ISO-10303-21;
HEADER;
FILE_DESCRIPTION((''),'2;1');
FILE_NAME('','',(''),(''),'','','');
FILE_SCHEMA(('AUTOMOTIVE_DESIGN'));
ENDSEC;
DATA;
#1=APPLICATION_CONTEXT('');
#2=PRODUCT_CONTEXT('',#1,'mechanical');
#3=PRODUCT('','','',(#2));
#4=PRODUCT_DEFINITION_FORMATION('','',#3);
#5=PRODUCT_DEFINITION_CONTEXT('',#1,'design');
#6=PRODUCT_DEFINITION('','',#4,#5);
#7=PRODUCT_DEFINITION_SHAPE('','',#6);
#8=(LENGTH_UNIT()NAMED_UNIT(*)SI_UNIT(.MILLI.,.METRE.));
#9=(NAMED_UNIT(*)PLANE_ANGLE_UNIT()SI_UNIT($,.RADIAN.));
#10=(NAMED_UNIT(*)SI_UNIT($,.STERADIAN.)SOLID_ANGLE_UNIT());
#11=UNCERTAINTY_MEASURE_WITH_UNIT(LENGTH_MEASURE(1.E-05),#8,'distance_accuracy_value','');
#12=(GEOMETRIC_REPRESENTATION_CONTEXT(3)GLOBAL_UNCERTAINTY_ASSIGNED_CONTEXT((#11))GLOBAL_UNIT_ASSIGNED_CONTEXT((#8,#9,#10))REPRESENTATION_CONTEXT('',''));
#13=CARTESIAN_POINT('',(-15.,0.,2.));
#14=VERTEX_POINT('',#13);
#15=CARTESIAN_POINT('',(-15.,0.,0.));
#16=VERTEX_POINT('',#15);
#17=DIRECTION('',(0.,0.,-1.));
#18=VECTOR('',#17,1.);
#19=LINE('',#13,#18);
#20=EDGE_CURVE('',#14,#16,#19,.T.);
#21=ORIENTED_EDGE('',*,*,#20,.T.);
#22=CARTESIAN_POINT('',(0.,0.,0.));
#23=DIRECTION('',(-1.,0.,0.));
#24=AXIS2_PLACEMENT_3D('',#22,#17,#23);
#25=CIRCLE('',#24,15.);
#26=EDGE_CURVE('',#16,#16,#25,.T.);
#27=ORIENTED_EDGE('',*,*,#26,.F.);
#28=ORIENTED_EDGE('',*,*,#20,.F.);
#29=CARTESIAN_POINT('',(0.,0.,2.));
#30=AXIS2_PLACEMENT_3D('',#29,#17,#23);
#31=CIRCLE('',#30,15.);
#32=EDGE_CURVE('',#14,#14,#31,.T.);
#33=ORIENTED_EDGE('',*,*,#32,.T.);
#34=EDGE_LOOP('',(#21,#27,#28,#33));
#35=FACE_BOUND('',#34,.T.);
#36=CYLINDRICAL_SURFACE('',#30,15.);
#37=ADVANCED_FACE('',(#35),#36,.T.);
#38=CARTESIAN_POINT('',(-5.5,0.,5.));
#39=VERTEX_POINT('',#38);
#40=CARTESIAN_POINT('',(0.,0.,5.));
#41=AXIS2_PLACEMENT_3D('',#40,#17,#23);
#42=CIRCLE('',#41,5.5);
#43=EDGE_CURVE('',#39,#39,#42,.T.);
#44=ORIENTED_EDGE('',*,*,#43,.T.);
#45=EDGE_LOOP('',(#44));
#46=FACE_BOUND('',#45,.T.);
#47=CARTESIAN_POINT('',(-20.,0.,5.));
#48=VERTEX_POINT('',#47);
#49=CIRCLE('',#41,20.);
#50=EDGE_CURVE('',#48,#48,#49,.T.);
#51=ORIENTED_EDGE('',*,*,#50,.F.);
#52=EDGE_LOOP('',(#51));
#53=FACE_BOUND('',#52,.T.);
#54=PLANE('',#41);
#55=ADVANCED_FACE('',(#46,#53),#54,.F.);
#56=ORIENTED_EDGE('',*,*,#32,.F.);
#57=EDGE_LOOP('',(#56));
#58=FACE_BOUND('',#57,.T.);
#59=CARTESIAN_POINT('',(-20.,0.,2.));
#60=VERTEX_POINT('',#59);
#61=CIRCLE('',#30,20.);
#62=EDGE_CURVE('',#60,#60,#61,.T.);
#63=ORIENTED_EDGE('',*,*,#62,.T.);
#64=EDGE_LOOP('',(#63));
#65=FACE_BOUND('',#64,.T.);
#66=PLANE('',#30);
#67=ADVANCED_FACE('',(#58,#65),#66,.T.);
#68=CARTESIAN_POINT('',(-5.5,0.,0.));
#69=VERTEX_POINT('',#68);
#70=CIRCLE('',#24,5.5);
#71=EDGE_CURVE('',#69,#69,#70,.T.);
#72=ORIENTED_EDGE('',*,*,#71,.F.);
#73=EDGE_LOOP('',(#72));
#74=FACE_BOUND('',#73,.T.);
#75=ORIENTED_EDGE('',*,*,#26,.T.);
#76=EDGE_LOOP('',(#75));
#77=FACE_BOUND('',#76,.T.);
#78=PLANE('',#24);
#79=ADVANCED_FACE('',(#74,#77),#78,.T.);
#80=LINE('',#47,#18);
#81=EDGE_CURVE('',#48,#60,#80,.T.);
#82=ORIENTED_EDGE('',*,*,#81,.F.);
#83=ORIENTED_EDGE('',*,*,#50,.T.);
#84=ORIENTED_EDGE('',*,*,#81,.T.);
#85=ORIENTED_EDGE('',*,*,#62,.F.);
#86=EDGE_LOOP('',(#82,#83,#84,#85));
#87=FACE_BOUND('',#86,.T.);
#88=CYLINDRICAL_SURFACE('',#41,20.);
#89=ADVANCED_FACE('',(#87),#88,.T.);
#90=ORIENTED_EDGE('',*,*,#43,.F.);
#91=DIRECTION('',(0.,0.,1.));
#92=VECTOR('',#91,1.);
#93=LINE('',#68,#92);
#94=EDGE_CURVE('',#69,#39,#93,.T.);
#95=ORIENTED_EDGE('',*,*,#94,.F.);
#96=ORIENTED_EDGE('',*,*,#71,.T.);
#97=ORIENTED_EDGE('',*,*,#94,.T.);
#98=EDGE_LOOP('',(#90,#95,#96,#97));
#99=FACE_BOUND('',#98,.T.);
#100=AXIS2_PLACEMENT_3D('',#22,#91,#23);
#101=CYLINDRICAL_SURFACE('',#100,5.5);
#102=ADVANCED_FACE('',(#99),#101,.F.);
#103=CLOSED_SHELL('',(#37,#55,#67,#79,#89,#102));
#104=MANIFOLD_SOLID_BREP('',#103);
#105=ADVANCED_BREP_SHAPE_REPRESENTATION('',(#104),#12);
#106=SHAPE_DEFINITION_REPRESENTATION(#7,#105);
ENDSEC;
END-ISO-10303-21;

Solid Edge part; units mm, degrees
sketch "Sketch1" plane through (0, 0, 0) normal (0, -1, 0) x (1, 0, 0)
  line L0 (-5.5, 0) -> (-5.5, 5)
  line L1 (-5.5, 5) -> (-20, 5)
  line L2 (-20, 5) -> (-20, 2)
  line L3 (-20, 2) -> (-15, 2)
  line L4 (-15, 2) -> (-15, 0)
  line L5 (-15, 0) -> (-5.5, 0)
  dimension "D1" = 3
  dimension "D2" = 5.5
  dimension "D3" = 15
  dimension "D4" = 5
  dimension "D5" = 2
revolve "RevolvedProtrusion1" add sketch "Sketch1" angle 360 about axis through (0, 0, 54) along (0, 0, -1)
